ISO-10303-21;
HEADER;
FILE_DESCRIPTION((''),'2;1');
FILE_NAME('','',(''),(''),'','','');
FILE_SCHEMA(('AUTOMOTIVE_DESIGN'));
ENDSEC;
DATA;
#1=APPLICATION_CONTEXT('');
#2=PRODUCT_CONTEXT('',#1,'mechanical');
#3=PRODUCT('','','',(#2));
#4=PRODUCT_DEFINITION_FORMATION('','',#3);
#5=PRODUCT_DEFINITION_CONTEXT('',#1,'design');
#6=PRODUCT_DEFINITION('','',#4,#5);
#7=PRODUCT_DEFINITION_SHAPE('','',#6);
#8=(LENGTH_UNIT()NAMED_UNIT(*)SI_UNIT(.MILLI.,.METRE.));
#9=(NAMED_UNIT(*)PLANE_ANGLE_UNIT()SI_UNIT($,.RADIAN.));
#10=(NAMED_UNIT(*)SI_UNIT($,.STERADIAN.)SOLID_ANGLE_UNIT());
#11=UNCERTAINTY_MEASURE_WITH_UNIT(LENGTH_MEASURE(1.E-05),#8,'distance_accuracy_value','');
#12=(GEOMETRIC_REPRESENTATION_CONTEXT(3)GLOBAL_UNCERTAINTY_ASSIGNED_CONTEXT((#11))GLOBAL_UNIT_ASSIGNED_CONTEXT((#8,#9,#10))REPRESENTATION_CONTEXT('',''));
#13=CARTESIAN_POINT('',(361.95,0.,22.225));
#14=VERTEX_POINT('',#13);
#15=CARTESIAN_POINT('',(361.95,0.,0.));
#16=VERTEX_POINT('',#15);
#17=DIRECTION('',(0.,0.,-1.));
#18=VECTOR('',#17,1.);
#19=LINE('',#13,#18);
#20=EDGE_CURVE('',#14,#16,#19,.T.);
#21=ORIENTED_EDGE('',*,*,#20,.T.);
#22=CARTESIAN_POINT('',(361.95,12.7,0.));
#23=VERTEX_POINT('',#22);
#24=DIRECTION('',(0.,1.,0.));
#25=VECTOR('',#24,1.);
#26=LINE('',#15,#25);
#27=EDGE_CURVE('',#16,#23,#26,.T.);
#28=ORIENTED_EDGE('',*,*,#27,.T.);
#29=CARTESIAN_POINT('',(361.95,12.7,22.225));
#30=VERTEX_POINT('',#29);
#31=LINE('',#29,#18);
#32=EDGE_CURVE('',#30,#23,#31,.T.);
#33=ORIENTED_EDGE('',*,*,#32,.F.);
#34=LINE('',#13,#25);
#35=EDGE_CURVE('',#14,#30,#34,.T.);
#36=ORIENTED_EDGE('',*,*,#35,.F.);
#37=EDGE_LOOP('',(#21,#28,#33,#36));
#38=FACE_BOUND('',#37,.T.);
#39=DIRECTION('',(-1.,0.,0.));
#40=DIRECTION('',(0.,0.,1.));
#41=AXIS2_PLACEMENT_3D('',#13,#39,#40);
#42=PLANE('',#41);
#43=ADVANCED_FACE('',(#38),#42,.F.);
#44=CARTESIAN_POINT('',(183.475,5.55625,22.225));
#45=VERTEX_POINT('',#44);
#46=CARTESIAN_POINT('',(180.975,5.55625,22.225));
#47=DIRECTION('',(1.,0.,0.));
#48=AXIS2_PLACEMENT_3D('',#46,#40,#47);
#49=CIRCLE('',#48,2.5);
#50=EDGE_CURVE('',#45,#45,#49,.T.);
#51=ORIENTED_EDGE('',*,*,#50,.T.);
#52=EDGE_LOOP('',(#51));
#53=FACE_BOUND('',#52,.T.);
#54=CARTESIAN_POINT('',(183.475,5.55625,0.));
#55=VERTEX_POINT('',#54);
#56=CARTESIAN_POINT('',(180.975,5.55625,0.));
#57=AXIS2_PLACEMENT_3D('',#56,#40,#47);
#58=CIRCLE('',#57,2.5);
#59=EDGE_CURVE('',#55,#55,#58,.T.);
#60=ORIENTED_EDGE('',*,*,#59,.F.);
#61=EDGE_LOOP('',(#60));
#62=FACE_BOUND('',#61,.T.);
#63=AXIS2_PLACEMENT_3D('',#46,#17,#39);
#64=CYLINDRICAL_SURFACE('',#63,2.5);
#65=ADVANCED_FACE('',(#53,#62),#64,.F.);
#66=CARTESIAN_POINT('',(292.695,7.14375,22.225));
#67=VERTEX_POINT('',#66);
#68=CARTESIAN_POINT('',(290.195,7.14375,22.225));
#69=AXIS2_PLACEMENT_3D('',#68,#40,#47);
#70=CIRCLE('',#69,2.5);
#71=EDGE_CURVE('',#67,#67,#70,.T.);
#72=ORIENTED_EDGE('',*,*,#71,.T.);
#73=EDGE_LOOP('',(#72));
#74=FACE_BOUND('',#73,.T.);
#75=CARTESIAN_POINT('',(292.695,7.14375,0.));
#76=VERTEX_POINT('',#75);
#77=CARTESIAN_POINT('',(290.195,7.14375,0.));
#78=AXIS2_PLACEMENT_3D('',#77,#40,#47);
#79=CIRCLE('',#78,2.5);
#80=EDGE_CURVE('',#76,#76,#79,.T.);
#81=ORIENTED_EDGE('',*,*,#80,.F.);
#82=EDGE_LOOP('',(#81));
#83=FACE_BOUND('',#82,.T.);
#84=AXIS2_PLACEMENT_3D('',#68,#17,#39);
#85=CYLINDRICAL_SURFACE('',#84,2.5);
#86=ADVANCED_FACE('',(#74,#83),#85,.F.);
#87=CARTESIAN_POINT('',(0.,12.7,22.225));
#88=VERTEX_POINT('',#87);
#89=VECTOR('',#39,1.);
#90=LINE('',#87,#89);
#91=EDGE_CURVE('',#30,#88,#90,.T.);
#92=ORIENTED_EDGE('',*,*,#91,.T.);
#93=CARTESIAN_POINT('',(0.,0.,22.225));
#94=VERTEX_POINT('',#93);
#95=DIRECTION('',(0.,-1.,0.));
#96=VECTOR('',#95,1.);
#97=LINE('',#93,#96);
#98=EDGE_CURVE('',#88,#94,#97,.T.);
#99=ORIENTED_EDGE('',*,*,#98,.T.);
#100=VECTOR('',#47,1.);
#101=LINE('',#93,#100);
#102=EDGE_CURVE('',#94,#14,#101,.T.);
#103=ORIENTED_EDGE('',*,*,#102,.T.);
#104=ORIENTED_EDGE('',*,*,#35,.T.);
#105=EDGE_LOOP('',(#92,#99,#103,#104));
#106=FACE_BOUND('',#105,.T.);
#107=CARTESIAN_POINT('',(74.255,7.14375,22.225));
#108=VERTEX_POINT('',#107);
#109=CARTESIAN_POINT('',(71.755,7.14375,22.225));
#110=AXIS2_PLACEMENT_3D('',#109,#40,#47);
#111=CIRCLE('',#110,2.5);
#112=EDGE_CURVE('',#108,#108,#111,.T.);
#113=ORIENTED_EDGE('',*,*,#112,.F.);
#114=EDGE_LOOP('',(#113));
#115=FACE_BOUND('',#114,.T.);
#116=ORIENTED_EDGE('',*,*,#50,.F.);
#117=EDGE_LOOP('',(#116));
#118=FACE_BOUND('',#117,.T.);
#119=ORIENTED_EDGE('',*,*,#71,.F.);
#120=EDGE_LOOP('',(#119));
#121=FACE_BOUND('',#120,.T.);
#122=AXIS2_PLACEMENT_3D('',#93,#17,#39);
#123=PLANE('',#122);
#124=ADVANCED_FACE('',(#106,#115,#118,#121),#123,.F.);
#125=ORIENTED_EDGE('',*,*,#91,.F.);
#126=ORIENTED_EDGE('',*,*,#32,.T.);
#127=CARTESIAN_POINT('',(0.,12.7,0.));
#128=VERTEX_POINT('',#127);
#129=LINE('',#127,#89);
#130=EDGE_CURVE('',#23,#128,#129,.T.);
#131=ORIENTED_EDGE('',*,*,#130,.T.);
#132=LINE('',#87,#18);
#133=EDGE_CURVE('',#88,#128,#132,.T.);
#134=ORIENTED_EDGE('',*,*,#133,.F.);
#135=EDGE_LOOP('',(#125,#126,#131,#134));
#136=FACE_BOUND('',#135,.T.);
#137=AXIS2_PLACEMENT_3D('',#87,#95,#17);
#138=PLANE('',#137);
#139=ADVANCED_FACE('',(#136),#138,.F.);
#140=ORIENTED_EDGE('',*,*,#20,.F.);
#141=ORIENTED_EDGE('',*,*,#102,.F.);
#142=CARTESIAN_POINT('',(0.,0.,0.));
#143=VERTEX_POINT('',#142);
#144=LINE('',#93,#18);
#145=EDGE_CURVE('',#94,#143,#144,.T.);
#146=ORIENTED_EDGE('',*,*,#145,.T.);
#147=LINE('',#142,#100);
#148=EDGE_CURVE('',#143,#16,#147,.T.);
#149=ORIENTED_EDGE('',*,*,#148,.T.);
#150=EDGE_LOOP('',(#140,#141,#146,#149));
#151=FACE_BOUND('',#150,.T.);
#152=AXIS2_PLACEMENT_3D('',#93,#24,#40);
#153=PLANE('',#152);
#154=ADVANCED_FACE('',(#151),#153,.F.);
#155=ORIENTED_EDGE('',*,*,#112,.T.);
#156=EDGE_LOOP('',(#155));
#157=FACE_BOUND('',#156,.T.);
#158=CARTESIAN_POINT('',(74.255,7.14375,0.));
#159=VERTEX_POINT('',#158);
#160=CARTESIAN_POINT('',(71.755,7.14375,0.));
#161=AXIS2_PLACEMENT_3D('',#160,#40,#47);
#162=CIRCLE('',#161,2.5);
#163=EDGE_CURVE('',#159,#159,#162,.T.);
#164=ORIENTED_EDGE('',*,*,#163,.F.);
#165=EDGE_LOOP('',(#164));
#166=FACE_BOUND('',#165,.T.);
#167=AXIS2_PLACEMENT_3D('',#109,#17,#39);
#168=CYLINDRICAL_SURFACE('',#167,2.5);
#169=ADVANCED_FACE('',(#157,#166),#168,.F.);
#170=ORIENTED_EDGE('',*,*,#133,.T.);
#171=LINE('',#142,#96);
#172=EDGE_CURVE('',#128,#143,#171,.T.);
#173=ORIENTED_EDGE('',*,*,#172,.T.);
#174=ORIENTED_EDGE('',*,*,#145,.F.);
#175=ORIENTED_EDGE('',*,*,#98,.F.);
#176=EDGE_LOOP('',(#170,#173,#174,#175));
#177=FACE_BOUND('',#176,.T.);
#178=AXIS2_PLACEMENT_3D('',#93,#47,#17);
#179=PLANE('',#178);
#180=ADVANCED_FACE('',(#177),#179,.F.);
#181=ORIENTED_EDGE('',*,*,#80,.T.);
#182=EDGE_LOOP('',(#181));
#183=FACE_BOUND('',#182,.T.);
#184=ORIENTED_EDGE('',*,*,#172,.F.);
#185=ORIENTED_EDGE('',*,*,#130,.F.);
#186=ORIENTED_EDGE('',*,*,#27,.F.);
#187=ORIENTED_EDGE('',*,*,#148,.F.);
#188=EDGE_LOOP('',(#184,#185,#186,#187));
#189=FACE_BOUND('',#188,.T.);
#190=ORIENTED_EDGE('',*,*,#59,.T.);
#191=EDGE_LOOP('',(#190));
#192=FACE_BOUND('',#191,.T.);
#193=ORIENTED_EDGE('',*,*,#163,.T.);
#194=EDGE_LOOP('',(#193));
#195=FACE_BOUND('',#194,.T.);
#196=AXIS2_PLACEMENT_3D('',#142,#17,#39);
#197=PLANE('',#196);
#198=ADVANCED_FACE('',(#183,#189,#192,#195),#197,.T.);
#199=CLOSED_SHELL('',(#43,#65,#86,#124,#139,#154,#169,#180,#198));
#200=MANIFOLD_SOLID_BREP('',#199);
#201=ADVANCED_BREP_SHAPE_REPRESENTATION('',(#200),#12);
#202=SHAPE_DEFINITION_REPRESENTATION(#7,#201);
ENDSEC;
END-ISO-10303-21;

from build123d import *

# Parameters (mm, degrees)
SKETCH1_W           = 361.95
SKETCH1_H           = 12.7
SKETCH1_R           = 2.5
BOSS_EXTRUDE1_DEPTH = 22.225


with BuildPart() as part:
    # Sketch1 → Boss-Extrude1 (new body)
    with BuildSketch(Plane.XY):
        with Locations((180.975, 6.35)):
            Rectangle(SKETCH1_W, SKETCH1_H)
        with Locations((180.975, 5.55625)):
            Circle(SKETCH1_R, mode=Mode.SUBTRACT)
        with Locations((71.755, 7.14375)):
            Circle(SKETCH1_R, mode=Mode.SUBTRACT)
        with Locations((290.195, 7.14375)):
            Circle(SKETCH1_R, mode=Mode.SUBTRACT)
    extrude(amount=BOSS_EXTRUDE1_DEPTH)


solid = part.part
